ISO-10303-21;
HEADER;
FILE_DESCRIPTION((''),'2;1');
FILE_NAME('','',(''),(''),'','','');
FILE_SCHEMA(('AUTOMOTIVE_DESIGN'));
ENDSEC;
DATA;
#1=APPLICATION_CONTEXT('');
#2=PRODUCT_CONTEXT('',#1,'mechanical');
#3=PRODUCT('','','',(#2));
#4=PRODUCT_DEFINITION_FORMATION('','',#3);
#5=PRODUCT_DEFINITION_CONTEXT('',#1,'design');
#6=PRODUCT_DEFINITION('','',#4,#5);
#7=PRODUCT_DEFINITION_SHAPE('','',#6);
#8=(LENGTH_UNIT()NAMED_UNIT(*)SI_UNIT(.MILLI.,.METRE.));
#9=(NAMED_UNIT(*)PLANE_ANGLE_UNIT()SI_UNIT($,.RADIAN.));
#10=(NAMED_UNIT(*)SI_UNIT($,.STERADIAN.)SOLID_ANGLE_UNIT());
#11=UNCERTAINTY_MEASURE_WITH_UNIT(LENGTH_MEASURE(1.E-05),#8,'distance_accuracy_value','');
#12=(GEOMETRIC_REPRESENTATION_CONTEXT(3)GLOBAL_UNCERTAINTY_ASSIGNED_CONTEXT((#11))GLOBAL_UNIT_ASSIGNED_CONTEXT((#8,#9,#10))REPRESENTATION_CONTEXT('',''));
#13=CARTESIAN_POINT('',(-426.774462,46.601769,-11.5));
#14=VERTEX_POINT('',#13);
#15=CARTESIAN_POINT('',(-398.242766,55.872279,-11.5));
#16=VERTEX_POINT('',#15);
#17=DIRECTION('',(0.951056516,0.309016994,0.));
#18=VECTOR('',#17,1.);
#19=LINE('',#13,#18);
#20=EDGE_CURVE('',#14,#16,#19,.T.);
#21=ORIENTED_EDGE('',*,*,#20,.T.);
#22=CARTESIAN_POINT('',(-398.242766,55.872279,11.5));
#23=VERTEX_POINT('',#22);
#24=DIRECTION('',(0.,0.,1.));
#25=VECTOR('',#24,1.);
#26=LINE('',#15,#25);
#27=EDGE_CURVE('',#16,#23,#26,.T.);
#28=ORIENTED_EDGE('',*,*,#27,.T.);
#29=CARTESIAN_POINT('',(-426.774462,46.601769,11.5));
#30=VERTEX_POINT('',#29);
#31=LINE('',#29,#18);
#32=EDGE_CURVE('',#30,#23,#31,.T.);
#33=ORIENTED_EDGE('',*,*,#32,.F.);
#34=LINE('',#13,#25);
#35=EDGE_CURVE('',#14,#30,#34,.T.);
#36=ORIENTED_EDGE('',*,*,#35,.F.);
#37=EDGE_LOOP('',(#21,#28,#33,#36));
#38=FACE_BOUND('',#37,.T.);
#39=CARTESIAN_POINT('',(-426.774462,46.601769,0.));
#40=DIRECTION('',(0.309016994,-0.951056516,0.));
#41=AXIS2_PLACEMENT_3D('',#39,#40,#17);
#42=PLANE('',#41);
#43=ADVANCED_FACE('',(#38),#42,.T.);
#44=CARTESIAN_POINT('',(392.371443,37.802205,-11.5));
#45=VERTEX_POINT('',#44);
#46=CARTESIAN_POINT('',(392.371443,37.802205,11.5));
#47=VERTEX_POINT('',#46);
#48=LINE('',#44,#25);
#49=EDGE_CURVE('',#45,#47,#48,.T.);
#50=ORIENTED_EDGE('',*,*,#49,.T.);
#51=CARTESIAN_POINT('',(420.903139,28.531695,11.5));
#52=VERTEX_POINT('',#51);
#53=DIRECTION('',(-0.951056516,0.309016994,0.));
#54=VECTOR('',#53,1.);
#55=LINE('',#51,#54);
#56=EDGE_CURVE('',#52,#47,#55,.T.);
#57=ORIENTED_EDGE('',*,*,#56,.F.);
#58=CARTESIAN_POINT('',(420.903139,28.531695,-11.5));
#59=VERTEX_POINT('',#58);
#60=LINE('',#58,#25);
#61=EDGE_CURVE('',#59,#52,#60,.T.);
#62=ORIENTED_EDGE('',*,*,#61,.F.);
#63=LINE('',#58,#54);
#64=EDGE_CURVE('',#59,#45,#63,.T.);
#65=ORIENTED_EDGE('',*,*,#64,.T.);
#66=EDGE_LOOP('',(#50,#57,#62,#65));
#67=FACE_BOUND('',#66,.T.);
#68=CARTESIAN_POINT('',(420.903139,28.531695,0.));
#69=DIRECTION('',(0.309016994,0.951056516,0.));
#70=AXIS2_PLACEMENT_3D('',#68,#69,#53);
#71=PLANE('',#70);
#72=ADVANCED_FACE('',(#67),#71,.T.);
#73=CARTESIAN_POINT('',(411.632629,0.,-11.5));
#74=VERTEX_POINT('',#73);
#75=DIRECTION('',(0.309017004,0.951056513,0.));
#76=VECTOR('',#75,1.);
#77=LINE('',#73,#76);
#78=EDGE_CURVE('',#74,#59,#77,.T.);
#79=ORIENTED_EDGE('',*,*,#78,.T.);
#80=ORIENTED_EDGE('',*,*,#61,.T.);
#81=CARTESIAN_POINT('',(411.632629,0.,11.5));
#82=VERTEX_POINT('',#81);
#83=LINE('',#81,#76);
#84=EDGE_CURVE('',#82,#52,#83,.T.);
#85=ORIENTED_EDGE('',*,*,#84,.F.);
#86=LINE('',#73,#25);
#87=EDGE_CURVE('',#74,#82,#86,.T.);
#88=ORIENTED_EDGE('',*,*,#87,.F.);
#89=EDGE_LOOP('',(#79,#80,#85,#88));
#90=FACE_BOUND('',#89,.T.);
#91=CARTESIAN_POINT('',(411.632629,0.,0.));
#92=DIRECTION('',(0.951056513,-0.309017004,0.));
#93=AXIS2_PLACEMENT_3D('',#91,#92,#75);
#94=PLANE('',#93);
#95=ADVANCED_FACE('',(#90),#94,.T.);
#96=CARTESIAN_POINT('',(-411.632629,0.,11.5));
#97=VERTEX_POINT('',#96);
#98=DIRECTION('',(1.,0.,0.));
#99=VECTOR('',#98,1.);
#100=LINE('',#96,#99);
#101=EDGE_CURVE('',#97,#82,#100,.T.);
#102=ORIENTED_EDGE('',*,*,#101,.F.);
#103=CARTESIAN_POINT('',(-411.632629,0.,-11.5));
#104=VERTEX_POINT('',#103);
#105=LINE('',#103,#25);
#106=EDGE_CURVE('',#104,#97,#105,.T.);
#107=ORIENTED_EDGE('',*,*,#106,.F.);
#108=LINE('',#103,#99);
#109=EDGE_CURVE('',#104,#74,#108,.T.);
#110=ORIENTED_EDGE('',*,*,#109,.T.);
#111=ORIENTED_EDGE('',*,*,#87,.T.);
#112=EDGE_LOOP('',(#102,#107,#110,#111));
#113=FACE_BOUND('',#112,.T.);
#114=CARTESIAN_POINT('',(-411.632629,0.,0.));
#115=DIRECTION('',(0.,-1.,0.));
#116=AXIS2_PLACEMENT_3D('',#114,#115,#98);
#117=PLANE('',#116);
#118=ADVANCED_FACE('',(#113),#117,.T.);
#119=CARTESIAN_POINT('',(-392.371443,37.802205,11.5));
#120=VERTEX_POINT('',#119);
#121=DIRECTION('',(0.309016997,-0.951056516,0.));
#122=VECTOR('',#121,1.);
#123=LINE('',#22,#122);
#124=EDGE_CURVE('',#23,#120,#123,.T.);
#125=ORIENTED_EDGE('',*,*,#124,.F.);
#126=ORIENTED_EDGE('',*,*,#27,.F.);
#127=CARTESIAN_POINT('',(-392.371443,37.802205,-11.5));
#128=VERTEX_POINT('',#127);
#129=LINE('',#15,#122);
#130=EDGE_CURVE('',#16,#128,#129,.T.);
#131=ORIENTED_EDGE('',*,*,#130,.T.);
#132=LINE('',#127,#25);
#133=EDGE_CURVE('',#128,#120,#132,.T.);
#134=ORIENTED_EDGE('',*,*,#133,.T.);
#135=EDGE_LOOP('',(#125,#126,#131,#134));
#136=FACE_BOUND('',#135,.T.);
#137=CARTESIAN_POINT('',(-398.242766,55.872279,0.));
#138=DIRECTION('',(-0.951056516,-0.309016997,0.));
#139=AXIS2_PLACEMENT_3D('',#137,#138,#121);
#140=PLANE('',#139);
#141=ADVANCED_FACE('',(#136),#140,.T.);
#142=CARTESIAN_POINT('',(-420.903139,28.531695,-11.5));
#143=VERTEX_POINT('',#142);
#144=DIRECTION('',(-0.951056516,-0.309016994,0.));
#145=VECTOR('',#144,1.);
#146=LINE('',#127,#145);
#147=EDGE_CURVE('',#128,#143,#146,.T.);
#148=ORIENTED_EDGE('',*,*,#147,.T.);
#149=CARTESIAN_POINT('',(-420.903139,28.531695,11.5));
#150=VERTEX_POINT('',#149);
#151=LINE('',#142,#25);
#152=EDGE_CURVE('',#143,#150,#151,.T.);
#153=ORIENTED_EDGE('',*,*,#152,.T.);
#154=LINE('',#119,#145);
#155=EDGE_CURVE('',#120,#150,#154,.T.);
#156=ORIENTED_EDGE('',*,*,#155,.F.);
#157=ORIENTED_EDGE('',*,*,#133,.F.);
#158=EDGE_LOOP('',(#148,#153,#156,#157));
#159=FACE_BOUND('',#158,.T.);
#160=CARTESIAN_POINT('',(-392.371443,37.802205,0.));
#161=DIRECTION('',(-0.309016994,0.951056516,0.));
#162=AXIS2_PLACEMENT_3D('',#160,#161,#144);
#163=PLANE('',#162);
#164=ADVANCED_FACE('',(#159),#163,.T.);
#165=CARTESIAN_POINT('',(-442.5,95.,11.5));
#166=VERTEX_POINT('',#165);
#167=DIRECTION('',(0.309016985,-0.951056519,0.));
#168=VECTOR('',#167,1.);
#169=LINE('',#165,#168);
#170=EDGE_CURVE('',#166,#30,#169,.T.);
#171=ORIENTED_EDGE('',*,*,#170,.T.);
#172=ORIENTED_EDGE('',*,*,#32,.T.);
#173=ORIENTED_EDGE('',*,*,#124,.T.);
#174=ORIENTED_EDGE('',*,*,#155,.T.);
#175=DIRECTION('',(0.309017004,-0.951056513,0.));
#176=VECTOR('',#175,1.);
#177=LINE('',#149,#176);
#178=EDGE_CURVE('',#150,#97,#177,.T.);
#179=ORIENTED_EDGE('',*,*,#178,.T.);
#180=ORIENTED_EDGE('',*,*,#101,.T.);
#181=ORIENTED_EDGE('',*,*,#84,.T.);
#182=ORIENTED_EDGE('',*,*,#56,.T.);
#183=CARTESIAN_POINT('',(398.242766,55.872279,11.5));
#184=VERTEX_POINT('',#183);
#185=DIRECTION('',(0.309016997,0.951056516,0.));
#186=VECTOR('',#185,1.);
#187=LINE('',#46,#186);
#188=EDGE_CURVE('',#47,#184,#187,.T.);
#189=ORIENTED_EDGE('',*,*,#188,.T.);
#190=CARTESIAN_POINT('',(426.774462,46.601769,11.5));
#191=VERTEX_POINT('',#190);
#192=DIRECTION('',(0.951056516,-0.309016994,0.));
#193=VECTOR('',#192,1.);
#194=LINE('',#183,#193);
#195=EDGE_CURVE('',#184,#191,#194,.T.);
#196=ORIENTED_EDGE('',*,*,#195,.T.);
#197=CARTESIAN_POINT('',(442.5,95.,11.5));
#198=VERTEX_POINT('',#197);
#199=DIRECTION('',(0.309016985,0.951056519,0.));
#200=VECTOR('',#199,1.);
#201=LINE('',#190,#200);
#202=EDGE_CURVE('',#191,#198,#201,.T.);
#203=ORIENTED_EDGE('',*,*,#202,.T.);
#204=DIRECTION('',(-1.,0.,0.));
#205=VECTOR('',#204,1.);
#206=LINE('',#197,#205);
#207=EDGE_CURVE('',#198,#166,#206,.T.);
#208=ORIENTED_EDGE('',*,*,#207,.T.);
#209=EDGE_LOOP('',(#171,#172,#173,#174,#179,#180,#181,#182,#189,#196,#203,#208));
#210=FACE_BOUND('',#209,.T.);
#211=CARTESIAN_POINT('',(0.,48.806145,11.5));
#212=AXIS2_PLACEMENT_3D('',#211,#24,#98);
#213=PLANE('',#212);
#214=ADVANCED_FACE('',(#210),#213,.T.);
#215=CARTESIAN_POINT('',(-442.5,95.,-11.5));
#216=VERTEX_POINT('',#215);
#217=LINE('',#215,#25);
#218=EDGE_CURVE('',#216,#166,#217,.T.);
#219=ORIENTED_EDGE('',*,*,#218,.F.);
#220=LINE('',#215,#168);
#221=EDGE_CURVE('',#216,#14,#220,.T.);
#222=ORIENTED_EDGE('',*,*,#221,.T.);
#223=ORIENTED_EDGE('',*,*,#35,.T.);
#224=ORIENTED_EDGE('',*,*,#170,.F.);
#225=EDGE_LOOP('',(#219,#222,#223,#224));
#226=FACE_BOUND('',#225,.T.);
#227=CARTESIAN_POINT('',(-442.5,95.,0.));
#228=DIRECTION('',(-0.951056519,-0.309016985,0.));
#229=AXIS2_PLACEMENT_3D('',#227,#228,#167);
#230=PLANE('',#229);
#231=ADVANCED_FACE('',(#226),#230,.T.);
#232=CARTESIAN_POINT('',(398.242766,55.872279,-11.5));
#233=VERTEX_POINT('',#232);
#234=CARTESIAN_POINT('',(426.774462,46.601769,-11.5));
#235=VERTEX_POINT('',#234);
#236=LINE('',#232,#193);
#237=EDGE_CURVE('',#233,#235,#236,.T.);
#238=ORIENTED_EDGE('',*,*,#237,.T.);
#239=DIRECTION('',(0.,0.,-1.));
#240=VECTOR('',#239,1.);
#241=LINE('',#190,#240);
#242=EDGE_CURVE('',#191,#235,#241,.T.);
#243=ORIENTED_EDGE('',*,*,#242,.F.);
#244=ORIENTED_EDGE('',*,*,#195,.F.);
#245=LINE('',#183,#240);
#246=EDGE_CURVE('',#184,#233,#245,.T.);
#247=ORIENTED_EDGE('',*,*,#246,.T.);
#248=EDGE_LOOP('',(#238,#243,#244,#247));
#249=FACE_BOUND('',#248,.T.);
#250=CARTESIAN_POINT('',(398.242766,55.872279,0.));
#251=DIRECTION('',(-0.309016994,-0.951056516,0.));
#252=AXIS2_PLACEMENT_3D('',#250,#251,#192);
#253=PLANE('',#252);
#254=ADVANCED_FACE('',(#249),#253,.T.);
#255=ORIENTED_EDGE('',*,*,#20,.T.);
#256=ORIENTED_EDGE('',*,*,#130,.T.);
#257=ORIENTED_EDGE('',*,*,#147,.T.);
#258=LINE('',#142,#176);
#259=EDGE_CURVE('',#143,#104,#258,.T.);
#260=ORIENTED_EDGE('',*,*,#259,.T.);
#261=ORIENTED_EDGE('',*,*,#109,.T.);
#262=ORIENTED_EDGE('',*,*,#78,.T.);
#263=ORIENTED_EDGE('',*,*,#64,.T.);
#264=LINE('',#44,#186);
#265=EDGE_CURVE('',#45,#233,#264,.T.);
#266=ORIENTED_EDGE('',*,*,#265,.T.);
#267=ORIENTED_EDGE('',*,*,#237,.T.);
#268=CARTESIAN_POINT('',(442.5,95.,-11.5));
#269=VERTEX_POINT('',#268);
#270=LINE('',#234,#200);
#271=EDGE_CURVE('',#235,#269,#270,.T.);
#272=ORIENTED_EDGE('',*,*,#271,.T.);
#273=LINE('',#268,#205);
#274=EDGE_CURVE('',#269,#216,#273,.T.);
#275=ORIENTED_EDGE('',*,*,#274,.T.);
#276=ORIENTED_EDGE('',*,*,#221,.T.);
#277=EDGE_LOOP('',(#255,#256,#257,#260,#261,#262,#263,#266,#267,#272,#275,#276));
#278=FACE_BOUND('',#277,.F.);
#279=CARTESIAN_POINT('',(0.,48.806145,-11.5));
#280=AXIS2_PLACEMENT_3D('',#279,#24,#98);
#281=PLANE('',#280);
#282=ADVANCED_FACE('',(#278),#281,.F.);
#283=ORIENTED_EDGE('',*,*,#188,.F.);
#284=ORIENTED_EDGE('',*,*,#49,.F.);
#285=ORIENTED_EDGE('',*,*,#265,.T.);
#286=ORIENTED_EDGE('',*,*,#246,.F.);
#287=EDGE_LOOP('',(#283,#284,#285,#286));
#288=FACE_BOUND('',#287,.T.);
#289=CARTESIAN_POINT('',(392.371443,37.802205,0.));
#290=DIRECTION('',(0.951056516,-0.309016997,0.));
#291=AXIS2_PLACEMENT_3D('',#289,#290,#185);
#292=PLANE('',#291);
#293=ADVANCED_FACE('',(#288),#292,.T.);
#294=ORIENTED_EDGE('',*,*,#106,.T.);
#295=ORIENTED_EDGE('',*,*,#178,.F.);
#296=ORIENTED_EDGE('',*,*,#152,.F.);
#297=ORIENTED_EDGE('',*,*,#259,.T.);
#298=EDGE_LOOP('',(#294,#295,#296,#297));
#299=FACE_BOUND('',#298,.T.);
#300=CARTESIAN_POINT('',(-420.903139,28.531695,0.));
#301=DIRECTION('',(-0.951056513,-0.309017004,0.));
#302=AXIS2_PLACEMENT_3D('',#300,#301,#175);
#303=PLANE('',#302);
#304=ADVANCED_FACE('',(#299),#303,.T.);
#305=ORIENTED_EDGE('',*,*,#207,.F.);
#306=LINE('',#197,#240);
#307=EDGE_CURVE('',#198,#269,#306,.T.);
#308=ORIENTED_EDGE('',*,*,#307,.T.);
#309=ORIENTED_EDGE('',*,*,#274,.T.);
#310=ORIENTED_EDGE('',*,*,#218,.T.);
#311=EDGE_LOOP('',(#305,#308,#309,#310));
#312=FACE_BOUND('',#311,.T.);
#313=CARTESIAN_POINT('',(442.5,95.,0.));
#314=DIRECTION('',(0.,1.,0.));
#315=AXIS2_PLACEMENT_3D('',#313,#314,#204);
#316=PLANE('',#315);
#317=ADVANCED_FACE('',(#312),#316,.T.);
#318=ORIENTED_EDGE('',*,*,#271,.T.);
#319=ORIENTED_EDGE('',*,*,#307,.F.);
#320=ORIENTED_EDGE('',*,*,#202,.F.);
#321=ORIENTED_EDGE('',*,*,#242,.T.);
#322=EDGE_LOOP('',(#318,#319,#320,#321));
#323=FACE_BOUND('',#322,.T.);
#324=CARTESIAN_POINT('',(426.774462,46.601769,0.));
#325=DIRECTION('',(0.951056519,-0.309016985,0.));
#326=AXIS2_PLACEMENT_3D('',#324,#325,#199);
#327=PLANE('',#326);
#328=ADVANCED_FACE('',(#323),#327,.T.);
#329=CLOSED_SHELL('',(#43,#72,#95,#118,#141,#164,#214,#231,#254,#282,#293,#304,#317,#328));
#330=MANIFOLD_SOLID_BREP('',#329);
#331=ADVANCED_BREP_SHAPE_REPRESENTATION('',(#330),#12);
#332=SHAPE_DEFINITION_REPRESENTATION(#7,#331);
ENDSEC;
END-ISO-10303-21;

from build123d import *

# Parameters (mm, degrees)
F1_DEPTH = 11.5


with BuildPart() as f1:
    # F0 (on Top) → F1 (new body, symmetric)
    with BuildSketch(Plane.XY):
        Polygon((442.5, 95), (-442.5, 95), (-426.774462, 46.601769), (-398.242766, 55.872279), (-392.371443, 37.802205), (-420.903139, 28.531695), (-411.632629, 0), (411.632629, 0), (420.903139, 28.531695), (392.371443, 37.802205), (398.242766, 55.872279), (426.774462, 46.601769), align=None)
    extrude(amount=F1_DEPTH, both=True)


solid = f1.part
